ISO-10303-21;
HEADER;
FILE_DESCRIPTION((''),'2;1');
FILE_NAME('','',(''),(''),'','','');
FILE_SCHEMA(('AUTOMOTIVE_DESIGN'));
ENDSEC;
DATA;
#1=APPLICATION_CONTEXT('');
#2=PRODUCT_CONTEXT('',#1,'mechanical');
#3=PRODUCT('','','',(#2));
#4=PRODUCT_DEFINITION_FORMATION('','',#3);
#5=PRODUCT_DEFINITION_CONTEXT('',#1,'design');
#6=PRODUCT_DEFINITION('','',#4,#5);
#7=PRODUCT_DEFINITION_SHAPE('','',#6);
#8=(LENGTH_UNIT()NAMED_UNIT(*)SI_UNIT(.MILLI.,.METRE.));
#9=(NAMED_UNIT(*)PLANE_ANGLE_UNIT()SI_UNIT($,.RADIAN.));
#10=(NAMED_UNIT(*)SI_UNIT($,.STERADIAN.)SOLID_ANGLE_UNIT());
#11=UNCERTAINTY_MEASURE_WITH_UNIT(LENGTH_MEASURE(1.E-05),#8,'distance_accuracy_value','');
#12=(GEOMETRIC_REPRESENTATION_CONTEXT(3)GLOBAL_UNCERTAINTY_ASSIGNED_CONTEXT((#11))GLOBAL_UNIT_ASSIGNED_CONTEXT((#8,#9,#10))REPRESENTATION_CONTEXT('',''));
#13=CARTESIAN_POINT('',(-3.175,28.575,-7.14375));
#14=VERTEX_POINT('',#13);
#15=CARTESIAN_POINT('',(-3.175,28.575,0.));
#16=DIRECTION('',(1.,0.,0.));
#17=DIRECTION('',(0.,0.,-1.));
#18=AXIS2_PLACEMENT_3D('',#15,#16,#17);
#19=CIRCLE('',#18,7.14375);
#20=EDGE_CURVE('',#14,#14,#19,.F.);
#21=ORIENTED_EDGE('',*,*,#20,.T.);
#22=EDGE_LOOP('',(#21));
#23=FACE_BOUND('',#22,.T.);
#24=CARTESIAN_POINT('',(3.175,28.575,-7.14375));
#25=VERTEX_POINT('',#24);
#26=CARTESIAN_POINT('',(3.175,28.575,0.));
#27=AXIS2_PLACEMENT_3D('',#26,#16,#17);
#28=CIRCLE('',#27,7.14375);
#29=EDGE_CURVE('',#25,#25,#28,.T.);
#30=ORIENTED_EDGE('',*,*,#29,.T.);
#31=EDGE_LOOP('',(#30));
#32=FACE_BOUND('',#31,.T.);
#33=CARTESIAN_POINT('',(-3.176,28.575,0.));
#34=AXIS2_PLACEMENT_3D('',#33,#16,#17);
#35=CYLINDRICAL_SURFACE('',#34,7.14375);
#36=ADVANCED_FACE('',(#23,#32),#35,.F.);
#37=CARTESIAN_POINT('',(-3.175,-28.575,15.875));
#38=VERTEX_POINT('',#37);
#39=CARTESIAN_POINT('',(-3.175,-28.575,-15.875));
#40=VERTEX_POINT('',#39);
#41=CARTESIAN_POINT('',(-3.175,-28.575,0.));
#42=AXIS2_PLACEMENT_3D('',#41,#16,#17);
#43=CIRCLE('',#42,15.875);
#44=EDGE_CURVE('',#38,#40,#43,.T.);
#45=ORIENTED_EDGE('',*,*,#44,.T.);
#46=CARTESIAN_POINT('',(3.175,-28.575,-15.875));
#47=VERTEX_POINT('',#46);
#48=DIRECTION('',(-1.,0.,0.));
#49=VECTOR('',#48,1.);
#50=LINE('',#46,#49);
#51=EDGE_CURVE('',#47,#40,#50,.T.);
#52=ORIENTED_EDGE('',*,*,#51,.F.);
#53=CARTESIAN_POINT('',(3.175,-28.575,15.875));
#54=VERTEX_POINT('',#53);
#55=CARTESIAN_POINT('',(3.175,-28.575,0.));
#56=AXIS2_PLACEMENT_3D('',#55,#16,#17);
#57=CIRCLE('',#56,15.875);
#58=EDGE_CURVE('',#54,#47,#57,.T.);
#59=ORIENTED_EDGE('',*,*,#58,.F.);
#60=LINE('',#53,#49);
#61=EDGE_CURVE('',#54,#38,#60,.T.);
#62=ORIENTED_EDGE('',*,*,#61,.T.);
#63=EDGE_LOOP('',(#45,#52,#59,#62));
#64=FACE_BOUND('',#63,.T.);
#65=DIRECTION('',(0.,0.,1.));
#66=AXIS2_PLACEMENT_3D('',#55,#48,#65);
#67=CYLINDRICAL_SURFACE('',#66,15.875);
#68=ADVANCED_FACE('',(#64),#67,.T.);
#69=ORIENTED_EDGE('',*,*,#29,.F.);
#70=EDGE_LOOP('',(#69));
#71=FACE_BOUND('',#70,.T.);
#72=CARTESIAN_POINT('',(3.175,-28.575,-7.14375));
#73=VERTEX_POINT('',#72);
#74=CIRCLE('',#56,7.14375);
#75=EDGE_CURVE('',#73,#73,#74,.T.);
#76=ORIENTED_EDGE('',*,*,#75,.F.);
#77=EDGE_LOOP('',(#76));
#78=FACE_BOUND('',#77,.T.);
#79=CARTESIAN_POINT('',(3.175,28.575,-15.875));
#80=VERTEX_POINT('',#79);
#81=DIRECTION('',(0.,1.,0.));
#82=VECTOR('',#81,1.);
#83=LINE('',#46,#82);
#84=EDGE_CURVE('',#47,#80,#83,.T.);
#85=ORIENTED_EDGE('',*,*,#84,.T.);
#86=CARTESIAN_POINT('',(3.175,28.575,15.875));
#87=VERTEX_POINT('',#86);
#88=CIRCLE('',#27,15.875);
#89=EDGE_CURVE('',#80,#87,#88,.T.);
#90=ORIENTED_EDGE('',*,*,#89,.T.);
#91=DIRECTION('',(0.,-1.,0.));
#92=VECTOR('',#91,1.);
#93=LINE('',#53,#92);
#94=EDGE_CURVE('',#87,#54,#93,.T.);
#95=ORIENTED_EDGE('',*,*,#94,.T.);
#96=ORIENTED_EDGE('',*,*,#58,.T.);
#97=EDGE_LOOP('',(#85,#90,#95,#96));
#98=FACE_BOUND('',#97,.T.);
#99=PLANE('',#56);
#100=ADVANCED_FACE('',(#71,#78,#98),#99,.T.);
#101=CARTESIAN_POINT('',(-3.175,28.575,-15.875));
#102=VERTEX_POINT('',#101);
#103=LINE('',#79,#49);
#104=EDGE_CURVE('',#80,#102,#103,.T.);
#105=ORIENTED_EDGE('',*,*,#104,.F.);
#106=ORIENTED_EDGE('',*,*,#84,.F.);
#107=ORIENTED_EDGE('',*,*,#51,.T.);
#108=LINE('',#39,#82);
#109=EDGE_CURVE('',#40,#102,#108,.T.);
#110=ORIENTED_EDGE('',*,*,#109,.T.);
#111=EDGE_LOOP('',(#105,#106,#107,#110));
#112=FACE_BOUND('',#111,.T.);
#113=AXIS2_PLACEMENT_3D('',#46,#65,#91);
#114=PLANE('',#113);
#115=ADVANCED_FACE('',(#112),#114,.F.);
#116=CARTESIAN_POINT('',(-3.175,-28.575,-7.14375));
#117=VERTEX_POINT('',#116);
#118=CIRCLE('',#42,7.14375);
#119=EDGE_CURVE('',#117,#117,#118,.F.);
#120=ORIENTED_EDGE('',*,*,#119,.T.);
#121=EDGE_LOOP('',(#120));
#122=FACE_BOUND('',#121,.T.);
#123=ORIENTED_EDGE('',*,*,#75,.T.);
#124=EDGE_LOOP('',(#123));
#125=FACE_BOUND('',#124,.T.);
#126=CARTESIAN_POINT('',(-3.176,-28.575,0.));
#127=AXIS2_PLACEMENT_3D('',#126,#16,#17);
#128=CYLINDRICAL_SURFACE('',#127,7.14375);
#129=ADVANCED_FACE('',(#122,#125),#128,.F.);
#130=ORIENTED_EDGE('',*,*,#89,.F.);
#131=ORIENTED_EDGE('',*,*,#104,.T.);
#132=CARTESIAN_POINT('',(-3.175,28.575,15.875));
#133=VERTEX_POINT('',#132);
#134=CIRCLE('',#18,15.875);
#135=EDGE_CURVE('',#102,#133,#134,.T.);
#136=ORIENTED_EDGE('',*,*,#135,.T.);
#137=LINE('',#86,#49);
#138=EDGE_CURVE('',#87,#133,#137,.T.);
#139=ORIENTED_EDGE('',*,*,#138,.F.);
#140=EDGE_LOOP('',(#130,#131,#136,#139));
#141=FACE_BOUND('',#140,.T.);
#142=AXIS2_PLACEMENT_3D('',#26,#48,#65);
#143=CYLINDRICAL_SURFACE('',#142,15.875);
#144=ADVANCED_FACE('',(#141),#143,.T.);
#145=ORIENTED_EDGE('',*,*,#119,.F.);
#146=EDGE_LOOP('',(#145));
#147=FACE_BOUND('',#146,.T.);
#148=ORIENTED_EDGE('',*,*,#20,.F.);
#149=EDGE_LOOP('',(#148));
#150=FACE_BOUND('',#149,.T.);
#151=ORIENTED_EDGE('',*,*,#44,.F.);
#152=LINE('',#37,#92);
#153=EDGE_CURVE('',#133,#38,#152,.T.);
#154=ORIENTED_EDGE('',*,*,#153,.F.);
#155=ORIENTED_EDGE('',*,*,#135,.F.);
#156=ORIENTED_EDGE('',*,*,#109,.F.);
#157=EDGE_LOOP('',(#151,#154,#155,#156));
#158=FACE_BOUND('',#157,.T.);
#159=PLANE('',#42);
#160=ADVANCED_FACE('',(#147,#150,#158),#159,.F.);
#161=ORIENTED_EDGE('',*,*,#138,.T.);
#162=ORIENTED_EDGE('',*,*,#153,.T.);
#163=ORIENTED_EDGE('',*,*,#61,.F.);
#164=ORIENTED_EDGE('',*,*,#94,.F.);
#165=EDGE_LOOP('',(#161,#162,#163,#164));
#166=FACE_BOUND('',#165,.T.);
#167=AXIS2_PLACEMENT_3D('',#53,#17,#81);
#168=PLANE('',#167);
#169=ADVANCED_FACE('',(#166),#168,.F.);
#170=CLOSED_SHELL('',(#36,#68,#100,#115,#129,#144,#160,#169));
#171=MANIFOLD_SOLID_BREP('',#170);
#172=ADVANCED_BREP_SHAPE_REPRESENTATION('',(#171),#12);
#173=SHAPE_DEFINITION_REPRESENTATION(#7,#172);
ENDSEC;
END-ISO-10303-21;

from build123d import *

# Parameters (mm, degrees)
BOSS_EXTRUDE1_DEPTH = 3.175
CUT_EXTRUDE1_REACH  = 8.35
SKETCH2_R           = 7.14375


with BuildPart() as part:
    # Sketch1 → Boss-Extrude1 (new body, symmetric)
    with BuildSketch(Plane(origin=(0, 0, 0), x_dir=(0, 0, -1), z_dir=(1, 0, 0))):
        with BuildLine():
            Line((-15.875, -28.575), (-15.875, 28.575))
            ThreePointArc((-15.875, 28.575), (0, 44.45), (15.875, 28.575))
            Line((15.875, 28.575), (15.875, -28.575))
            ThreePointArc((15.875, -28.575), (0, -44.45), (-15.875, -28.575))
        make_face()
    extrude(amount=BOSS_EXTRUDE1_DEPTH, both=True)

    # Sketch2 → Cut-Extrude1 (cut, up to next)
    with BuildSketch(Plane(origin=(3.175, 0, 0), x_dir=(0, 0, -1), z_dir=(1, 0, 0)), mode=Mode.PRIVATE) as cut_extrude1_sk1:
        with Locations((0, 28.575)):
            Circle(SKETCH2_R)
    cut_extrude1_tool1 = extrude(cut_extrude1_sk1.sketch, amount=-CUT_EXTRUDE1_REACH, mode=Mode.PRIVATE) & part.part
    add(cut_extrude1_tool1.solids().sort_by_distance((3.175, 28.575, 0))[0], mode=Mode.SUBTRACT)
    # Sketch2 → Cut-Extrude1 (cut, up to next)
    with BuildSketch(Plane(origin=(3.175, 0, 0), x_dir=(0, 0, -1), z_dir=(1, 0, 0)), mode=Mode.PRIVATE) as cut_extrude1_sk2:
        with Locations((0, -28.575)):
            Circle(SKETCH2_R)
    cut_extrude1_tool2 = extrude(cut_extrude1_sk2.sketch, amount=-CUT_EXTRUDE1_REACH, mode=Mode.PRIVATE) & part.part
    add(cut_extrude1_tool2.solids().sort_by_distance((3.175, -28.575, 0))[0], mode=Mode.SUBTRACT)


solid = part.part
